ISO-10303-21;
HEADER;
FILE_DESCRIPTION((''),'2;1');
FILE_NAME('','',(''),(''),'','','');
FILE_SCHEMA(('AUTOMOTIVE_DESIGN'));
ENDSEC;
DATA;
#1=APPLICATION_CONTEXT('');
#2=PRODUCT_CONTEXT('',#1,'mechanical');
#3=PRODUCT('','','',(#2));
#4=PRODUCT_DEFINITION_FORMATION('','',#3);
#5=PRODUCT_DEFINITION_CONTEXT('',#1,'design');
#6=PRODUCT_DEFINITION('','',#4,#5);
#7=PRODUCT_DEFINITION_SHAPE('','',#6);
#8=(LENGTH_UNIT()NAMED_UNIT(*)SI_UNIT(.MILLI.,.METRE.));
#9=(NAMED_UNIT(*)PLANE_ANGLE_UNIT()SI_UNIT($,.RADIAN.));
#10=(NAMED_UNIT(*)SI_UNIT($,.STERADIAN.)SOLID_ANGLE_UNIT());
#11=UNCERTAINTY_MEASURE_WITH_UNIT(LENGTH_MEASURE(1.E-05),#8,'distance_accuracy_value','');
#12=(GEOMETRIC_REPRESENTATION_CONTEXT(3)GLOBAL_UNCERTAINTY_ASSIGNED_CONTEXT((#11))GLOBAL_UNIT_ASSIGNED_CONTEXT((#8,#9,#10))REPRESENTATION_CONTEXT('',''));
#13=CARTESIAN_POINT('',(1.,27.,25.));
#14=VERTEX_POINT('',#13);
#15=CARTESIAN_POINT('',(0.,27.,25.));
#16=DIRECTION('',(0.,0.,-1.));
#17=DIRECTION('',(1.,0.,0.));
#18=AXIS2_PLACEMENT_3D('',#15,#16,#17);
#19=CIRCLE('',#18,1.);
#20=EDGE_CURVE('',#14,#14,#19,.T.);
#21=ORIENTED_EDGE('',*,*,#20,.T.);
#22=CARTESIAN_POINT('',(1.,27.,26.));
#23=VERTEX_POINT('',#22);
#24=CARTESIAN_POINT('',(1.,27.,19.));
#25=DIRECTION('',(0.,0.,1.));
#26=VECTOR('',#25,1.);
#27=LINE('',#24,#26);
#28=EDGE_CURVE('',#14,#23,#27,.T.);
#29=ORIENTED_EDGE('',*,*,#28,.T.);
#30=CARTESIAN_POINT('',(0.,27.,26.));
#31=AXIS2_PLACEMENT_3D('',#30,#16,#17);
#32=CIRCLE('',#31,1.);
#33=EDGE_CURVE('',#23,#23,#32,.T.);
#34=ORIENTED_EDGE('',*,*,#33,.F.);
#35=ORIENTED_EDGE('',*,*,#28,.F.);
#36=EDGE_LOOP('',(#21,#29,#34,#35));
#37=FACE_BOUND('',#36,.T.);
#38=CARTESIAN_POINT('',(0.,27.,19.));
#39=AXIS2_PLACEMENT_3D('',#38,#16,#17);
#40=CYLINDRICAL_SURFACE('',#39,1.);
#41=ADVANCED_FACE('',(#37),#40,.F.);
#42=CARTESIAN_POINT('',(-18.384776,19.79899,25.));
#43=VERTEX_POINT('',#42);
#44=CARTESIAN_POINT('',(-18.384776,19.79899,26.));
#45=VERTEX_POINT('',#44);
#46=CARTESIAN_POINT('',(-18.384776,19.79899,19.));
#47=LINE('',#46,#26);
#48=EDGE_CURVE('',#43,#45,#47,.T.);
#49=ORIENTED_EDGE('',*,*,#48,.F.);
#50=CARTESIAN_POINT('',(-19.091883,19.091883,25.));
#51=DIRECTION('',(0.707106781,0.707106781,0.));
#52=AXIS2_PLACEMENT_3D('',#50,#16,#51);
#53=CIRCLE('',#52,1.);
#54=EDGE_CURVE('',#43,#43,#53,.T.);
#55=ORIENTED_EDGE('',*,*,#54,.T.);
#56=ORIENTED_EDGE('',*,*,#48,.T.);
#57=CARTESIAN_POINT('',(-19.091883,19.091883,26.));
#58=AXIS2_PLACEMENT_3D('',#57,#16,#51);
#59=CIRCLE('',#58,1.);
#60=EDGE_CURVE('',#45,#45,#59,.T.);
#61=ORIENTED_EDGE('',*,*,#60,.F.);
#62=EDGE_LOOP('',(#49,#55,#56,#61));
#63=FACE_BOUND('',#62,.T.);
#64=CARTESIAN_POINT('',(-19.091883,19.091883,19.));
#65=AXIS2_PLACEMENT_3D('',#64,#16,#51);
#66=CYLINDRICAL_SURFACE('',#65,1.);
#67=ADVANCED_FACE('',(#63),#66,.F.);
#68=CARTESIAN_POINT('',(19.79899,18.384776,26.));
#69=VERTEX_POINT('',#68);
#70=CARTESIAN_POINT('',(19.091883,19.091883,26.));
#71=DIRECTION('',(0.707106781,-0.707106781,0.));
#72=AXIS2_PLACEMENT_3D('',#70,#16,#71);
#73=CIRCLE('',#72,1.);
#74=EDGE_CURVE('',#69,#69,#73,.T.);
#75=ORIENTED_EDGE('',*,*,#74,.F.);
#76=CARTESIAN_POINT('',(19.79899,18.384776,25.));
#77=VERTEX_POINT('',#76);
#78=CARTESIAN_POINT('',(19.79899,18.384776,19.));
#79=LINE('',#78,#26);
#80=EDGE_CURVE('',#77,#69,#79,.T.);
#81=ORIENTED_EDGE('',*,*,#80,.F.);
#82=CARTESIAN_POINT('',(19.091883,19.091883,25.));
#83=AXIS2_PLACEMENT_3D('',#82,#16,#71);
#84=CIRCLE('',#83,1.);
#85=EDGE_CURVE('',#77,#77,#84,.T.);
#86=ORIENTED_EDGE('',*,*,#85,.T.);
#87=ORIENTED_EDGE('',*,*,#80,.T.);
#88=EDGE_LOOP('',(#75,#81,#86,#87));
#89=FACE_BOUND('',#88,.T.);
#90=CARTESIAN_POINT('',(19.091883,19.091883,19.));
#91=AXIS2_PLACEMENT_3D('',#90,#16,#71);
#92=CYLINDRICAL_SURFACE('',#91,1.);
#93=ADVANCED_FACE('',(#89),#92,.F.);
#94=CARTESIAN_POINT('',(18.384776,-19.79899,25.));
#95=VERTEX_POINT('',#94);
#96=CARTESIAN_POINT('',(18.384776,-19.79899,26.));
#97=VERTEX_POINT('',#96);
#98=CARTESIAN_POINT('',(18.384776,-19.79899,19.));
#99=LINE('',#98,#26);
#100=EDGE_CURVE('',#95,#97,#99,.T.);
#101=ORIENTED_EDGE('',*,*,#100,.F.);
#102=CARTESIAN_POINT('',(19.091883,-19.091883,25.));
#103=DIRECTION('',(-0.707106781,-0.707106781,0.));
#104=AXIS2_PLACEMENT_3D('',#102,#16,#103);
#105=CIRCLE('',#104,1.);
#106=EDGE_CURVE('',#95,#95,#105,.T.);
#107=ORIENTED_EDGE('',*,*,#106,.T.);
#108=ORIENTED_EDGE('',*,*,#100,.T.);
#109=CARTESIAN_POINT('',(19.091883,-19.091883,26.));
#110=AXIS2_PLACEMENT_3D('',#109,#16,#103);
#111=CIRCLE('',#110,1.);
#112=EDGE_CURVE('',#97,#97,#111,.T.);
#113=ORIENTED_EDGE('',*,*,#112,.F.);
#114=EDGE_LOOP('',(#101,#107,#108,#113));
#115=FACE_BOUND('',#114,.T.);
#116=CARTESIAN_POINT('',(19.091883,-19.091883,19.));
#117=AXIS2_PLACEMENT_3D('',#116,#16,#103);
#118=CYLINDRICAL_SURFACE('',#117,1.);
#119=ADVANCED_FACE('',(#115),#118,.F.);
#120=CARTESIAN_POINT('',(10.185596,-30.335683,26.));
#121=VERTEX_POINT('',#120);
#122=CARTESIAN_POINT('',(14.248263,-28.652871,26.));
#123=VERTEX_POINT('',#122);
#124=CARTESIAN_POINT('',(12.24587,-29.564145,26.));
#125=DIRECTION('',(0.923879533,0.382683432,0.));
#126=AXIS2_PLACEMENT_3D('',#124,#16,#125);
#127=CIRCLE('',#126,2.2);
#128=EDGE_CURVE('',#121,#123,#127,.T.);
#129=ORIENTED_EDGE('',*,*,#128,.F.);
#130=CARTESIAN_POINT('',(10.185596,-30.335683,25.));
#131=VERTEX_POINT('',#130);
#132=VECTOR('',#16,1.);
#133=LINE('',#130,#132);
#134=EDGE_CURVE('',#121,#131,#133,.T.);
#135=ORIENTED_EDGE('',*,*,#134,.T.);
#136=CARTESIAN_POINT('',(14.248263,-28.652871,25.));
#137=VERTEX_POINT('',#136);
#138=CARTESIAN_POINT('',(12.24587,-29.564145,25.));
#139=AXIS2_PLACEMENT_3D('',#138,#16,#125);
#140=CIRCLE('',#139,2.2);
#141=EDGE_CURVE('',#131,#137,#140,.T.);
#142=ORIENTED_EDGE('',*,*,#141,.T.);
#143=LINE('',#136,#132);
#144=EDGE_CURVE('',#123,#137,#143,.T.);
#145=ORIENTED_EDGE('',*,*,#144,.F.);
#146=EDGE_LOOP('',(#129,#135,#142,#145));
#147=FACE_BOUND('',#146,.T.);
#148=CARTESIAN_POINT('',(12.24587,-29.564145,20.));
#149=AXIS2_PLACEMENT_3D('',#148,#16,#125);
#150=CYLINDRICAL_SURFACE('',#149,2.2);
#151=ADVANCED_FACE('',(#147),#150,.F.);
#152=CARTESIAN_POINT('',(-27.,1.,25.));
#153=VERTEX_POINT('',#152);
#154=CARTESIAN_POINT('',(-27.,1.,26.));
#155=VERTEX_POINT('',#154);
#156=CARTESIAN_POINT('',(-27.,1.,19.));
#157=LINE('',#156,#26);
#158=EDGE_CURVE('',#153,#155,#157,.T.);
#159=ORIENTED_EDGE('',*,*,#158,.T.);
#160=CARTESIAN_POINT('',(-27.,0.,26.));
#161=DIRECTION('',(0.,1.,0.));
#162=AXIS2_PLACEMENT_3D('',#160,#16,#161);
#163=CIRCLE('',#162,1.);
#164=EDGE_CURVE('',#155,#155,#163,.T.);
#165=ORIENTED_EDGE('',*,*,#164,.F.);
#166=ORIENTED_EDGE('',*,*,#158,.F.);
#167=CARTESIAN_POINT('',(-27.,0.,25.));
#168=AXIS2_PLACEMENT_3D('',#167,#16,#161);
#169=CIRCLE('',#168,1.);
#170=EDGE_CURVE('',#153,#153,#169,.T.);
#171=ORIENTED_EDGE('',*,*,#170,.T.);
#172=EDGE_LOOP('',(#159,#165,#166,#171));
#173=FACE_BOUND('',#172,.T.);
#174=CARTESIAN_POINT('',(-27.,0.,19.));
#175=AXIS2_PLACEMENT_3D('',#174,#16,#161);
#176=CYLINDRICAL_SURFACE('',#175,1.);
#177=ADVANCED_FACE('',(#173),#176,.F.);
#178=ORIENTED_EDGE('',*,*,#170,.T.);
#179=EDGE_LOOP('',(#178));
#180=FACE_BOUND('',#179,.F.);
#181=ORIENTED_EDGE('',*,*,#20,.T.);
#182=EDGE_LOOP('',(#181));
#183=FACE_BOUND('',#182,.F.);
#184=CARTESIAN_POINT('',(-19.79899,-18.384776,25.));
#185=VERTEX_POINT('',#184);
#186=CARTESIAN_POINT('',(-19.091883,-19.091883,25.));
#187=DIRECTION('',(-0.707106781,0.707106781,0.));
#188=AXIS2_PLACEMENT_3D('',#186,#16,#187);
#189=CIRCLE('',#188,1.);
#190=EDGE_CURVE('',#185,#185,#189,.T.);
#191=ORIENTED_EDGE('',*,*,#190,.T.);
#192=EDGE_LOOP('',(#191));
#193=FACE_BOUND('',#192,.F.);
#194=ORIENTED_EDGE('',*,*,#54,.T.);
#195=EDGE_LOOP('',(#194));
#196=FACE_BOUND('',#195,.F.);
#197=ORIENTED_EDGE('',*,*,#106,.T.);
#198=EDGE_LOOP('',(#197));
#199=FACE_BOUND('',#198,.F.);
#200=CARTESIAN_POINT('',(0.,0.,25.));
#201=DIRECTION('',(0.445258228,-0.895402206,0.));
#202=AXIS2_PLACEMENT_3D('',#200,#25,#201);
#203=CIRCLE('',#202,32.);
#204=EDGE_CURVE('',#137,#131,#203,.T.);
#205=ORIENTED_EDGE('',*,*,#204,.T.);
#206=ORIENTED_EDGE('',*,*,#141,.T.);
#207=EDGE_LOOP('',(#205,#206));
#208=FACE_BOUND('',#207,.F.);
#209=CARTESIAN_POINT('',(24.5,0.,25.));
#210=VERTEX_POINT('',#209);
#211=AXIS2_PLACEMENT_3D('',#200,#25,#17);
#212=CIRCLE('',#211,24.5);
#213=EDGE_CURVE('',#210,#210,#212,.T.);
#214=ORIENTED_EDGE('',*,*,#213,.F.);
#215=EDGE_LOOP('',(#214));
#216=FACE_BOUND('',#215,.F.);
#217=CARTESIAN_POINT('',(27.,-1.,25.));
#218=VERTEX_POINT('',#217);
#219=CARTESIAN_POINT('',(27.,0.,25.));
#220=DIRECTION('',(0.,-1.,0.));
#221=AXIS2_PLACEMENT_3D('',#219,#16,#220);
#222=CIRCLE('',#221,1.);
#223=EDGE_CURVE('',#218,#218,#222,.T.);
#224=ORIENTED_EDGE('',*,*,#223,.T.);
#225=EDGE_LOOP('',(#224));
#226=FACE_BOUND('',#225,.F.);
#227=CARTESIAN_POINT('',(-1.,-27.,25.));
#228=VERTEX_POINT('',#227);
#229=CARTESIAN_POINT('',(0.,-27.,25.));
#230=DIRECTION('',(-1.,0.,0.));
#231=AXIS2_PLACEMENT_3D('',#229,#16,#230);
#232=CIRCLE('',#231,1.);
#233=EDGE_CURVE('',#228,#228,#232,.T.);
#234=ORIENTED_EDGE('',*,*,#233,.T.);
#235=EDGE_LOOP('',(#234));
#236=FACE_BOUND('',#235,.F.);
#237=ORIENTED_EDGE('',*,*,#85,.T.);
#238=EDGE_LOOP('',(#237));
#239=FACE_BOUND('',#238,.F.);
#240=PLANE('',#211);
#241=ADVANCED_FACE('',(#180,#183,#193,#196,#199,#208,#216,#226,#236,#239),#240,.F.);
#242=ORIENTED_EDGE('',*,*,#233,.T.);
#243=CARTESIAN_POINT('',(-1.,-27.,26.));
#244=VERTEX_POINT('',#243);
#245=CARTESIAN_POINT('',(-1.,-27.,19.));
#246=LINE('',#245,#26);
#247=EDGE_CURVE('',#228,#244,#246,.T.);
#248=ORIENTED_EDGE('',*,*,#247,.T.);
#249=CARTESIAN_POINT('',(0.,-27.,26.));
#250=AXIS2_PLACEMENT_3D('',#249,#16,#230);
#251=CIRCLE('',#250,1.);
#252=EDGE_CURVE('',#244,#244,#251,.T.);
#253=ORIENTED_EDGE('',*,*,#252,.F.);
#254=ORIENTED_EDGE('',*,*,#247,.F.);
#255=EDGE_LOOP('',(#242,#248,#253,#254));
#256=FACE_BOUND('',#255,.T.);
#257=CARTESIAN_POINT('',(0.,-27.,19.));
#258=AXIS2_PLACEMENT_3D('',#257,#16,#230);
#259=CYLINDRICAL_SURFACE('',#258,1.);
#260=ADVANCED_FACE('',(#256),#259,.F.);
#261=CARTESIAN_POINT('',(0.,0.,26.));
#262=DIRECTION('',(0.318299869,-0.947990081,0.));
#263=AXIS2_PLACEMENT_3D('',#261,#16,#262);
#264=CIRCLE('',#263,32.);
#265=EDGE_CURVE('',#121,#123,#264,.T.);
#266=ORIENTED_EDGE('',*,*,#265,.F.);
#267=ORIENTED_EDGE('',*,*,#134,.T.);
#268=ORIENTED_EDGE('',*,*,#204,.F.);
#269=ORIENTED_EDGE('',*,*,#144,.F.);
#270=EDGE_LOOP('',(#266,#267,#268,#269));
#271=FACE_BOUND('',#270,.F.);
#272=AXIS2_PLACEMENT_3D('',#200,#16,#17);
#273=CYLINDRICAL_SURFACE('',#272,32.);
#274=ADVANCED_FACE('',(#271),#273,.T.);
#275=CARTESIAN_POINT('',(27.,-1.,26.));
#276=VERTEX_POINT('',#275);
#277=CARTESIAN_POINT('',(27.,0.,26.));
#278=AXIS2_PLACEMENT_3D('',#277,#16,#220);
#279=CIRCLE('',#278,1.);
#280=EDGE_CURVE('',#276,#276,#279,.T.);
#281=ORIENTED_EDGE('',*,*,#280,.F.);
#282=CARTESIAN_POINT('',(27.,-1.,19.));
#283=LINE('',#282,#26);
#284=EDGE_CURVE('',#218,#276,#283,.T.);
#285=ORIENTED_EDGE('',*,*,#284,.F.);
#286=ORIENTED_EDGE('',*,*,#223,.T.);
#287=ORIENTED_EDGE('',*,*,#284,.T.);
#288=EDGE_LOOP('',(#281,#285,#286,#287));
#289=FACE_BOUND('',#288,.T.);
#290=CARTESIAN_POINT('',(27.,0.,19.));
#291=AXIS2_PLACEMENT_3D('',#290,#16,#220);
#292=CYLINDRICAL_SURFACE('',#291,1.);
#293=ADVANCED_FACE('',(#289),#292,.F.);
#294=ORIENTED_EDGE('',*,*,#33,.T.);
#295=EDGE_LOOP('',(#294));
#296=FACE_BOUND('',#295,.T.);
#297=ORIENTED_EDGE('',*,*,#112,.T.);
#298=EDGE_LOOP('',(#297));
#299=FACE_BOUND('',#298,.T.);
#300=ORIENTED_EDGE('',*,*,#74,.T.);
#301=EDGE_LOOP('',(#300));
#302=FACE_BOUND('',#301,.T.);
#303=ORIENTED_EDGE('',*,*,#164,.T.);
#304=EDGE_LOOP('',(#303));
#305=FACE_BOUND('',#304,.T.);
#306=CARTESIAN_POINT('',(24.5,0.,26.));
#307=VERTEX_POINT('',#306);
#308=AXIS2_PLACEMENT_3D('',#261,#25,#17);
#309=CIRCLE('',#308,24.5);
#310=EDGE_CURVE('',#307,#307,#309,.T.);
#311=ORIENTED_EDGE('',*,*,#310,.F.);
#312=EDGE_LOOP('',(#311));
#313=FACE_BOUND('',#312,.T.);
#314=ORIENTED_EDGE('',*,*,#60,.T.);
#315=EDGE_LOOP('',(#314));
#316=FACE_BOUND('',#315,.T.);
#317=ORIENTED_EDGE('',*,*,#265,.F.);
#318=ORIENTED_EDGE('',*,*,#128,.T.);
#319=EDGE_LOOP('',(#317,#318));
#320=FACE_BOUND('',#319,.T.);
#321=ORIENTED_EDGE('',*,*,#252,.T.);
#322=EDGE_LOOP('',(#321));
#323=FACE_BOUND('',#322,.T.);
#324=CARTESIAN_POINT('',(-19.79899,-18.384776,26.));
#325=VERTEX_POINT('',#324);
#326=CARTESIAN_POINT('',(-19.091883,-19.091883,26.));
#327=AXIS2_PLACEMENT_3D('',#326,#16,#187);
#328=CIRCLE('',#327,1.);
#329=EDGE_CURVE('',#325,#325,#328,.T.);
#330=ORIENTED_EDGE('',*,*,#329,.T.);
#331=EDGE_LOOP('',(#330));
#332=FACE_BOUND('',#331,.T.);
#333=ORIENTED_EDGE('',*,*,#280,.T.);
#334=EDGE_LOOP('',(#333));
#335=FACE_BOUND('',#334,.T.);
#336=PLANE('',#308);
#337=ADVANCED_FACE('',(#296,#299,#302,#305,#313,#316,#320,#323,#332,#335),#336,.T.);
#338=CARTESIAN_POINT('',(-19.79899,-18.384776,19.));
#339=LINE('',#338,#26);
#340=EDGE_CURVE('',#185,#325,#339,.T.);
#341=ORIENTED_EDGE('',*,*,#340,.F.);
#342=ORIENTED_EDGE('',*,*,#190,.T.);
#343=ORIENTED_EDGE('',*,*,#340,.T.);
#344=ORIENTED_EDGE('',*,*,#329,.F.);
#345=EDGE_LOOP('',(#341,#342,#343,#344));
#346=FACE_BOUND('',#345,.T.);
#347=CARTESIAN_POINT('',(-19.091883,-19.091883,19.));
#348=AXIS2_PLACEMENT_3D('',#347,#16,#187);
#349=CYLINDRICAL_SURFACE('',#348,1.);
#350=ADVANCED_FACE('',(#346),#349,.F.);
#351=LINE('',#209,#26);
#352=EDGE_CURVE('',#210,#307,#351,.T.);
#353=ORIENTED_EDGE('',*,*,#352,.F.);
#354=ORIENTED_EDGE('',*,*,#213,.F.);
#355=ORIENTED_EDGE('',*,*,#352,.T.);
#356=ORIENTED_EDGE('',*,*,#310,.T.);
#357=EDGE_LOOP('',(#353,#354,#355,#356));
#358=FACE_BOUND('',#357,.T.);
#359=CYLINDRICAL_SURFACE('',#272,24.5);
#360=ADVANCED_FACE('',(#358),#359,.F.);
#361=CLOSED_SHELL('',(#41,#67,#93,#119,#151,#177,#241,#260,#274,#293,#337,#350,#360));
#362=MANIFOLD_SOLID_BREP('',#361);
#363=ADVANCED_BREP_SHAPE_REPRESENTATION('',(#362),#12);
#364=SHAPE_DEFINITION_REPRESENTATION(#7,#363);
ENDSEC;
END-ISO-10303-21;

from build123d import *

# Parameters (mm, degrees)
CYLINDER1267_R               = 2.2
CYLINDER1267_DEPTH           = 15
CYLINDER1267_PLACEMENT_ANGLE = 22.5
CYLINDER1272_R               = 1
CYLINDER1272_DEPTH           = 20
CYLINDER1272_PLACEMENT_ANGLE = 45
CYLINDER1266_R               = 1
CYLINDER1266_DEPTH           = 20
CYLINDER1277_R               = 1
CYLINDER1277_DEPTH           = 20
CYLINDER1277_PLACEMENT_ANGLE = 135
CYLINDER1269_R               = 1
CYLINDER1269_DEPTH           = 20
CYLINDER1275_R               = 1
CYLINDER1275_DEPTH           = 20
CYLINDER1275_PLACEMENT_ANGLE = 225
CYLINDER1274_R               = 1
CYLINDER1274_DEPTH           = 20
CYLINDER1270_R               = 1
CYLINDER1270_DEPTH           = 20
CYLINDER1270_PLACEMENT_ANGLE = 45
CYLINDER1276_R               = 1
CYLINDER1276_DEPTH           = 20
TUBE051_R                    = 32
TUBE051_R_2                  = 24.5
TUBE051_DEPTH                = 1


with BuildPart() as v_lec1267:
    # Cylinder1267 → Cylinder1267 (new body)
    with BuildSketch(Plane.XY):
        Circle(CYLINDER1267_R)
    extrude(amount=CYLINDER1267_DEPTH)


with BuildPart() as v_lec1267_1:
    # Cylinder1267 placement: moved
    add(v_lec1267.part.moved(Location((12.24587, -29.564145, 20))).rotate(Axis((12.24587, -29.564145, 20), (0, 0, 1)), CYLINDER1267_PLACEMENT_ANGLE))


with BuildPart() as v_lec1272:
    # Cylinder1272 → Cylinder1272 (new body)
    with BuildSketch(Plane.XY):
        Circle(CYLINDER1272_R)
    extrude(amount=CYLINDER1272_DEPTH)


with BuildPart() as v_lec1272_1:
    # Cylinder1272 placement: moved
    add(v_lec1272.part.moved(Location((-19.091883, 19.091883, 19))).rotate(Axis((-19.091883, 19.091883, 19), (0, 0, 1)), CYLINDER1272_PLACEMENT_ANGLE))


with BuildPart() as v_lec1266:
    # Cylinder1266 → Cylinder1266 (new body)
    with BuildSketch(Plane(origin=(-27, 0, 19), x_dir=(0, 1, 0), z_dir=(0, 0, 1))):
        Circle(CYLINDER1266_R)
    extrude(amount=CYLINDER1266_DEPTH)


with BuildPart() as v_lec1277:
    # Cylinder1277 → Cylinder1277 (new body)
    with BuildSketch(Plane.XY):
        Circle(CYLINDER1277_R)
    extrude(amount=CYLINDER1277_DEPTH)


with BuildPart() as v_lec1277_1:
    # Cylinder1277 placement: moved
    add(v_lec1277.part.moved(Location((-19.091883, -19.091883, 19))).rotate(Axis((-19.091883, -19.091883, 19), (0, 0, 1)), CYLINDER1277_PLACEMENT_ANGLE))


with BuildPart() as v_lec1269:
    # Cylinder1269 → Cylinder1269 (new body)
    with BuildSketch(Plane(origin=(0, -27, 19), x_dir=(-1, 0, 0), z_dir=(0, 0, 1))):
        Circle(CYLINDER1269_R)
    extrude(amount=CYLINDER1269_DEPTH)


with BuildPart() as v_lec1275:
    # Cylinder1275 → Cylinder1275 (new body)
    with BuildSketch(Plane.XY):
        Circle(CYLINDER1275_R)
    extrude(amount=CYLINDER1275_DEPTH)


with BuildPart() as v_lec1275_1:
    # Cylinder1275 placement: moved
    add(v_lec1275.part.moved(Location((19.091883, -19.091883, 19))).rotate(Axis((19.091883, -19.091883, 19), (0, 0, 1)), CYLINDER1275_PLACEMENT_ANGLE))


with BuildPart() as v_lec1274:
    # Cylinder1274 → Cylinder1274 (new body)
    with BuildSketch(Plane(origin=(27, 0, 19), x_dir=(0, -1, 0), z_dir=(0, 0, 1))):
        Circle(CYLINDER1274_R)
    extrude(amount=CYLINDER1274_DEPTH)


with BuildPart() as v_lec1270:
    # Cylinder1270 → Cylinder1270 (new body)
    with BuildSketch(Plane.XY):
        Circle(CYLINDER1270_R)
    extrude(amount=CYLINDER1270_DEPTH)


with BuildPart() as v_lec1270_1:
    # Cylinder1270 placement: moved
    add(v_lec1270.part.moved(Location((19.091883, 19.091883, 19))).rotate(Axis((19.091883, 19.091883, 19), (0, 0, -1)), CYLINDER1270_PLACEMENT_ANGLE))


with BuildPart() as compound677:
    # Cylinder1276 → Cylinder1276 (new body)
    with BuildSketch(Plane(origin=(0, 27, 19), x_dir=(1, 0, 0), z_dir=(0, 0, 1))):
        Circle(CYLINDER1276_R)
    extrude(amount=CYLINDER1276_DEPTH)

    # Compound677: union Válec1272, Válec1266, Válec1277, Válec1269, Válec1275, Válec1274, Válec1270
    add(v_lec1272_1.part)
    add(v_lec1266.part)
    add(v_lec1277_1.part)
    add(v_lec1269.part)
    add(v_lec1275_1.part)
    add(v_lec1274.part)
    add(v_lec1270_1.part)


with BuildPart() as cut479:
    # Tube051 → Tube051 (new body)
    with BuildSketch(Plane.XY.offset(25)):
        Circle(TUBE051_R)
        Circle(TUBE051_R_2, mode=Mode.SUBTRACT)
    extrude(amount=TUBE051_DEPTH)

    # Cut476: cut Compound677
    add(compound677.part, mode=Mode.SUBTRACT)

    # Cut479: cut Válec1267
    add(v_lec1267_1.part, mode=Mode.SUBTRACT)


solid = cut479.part
